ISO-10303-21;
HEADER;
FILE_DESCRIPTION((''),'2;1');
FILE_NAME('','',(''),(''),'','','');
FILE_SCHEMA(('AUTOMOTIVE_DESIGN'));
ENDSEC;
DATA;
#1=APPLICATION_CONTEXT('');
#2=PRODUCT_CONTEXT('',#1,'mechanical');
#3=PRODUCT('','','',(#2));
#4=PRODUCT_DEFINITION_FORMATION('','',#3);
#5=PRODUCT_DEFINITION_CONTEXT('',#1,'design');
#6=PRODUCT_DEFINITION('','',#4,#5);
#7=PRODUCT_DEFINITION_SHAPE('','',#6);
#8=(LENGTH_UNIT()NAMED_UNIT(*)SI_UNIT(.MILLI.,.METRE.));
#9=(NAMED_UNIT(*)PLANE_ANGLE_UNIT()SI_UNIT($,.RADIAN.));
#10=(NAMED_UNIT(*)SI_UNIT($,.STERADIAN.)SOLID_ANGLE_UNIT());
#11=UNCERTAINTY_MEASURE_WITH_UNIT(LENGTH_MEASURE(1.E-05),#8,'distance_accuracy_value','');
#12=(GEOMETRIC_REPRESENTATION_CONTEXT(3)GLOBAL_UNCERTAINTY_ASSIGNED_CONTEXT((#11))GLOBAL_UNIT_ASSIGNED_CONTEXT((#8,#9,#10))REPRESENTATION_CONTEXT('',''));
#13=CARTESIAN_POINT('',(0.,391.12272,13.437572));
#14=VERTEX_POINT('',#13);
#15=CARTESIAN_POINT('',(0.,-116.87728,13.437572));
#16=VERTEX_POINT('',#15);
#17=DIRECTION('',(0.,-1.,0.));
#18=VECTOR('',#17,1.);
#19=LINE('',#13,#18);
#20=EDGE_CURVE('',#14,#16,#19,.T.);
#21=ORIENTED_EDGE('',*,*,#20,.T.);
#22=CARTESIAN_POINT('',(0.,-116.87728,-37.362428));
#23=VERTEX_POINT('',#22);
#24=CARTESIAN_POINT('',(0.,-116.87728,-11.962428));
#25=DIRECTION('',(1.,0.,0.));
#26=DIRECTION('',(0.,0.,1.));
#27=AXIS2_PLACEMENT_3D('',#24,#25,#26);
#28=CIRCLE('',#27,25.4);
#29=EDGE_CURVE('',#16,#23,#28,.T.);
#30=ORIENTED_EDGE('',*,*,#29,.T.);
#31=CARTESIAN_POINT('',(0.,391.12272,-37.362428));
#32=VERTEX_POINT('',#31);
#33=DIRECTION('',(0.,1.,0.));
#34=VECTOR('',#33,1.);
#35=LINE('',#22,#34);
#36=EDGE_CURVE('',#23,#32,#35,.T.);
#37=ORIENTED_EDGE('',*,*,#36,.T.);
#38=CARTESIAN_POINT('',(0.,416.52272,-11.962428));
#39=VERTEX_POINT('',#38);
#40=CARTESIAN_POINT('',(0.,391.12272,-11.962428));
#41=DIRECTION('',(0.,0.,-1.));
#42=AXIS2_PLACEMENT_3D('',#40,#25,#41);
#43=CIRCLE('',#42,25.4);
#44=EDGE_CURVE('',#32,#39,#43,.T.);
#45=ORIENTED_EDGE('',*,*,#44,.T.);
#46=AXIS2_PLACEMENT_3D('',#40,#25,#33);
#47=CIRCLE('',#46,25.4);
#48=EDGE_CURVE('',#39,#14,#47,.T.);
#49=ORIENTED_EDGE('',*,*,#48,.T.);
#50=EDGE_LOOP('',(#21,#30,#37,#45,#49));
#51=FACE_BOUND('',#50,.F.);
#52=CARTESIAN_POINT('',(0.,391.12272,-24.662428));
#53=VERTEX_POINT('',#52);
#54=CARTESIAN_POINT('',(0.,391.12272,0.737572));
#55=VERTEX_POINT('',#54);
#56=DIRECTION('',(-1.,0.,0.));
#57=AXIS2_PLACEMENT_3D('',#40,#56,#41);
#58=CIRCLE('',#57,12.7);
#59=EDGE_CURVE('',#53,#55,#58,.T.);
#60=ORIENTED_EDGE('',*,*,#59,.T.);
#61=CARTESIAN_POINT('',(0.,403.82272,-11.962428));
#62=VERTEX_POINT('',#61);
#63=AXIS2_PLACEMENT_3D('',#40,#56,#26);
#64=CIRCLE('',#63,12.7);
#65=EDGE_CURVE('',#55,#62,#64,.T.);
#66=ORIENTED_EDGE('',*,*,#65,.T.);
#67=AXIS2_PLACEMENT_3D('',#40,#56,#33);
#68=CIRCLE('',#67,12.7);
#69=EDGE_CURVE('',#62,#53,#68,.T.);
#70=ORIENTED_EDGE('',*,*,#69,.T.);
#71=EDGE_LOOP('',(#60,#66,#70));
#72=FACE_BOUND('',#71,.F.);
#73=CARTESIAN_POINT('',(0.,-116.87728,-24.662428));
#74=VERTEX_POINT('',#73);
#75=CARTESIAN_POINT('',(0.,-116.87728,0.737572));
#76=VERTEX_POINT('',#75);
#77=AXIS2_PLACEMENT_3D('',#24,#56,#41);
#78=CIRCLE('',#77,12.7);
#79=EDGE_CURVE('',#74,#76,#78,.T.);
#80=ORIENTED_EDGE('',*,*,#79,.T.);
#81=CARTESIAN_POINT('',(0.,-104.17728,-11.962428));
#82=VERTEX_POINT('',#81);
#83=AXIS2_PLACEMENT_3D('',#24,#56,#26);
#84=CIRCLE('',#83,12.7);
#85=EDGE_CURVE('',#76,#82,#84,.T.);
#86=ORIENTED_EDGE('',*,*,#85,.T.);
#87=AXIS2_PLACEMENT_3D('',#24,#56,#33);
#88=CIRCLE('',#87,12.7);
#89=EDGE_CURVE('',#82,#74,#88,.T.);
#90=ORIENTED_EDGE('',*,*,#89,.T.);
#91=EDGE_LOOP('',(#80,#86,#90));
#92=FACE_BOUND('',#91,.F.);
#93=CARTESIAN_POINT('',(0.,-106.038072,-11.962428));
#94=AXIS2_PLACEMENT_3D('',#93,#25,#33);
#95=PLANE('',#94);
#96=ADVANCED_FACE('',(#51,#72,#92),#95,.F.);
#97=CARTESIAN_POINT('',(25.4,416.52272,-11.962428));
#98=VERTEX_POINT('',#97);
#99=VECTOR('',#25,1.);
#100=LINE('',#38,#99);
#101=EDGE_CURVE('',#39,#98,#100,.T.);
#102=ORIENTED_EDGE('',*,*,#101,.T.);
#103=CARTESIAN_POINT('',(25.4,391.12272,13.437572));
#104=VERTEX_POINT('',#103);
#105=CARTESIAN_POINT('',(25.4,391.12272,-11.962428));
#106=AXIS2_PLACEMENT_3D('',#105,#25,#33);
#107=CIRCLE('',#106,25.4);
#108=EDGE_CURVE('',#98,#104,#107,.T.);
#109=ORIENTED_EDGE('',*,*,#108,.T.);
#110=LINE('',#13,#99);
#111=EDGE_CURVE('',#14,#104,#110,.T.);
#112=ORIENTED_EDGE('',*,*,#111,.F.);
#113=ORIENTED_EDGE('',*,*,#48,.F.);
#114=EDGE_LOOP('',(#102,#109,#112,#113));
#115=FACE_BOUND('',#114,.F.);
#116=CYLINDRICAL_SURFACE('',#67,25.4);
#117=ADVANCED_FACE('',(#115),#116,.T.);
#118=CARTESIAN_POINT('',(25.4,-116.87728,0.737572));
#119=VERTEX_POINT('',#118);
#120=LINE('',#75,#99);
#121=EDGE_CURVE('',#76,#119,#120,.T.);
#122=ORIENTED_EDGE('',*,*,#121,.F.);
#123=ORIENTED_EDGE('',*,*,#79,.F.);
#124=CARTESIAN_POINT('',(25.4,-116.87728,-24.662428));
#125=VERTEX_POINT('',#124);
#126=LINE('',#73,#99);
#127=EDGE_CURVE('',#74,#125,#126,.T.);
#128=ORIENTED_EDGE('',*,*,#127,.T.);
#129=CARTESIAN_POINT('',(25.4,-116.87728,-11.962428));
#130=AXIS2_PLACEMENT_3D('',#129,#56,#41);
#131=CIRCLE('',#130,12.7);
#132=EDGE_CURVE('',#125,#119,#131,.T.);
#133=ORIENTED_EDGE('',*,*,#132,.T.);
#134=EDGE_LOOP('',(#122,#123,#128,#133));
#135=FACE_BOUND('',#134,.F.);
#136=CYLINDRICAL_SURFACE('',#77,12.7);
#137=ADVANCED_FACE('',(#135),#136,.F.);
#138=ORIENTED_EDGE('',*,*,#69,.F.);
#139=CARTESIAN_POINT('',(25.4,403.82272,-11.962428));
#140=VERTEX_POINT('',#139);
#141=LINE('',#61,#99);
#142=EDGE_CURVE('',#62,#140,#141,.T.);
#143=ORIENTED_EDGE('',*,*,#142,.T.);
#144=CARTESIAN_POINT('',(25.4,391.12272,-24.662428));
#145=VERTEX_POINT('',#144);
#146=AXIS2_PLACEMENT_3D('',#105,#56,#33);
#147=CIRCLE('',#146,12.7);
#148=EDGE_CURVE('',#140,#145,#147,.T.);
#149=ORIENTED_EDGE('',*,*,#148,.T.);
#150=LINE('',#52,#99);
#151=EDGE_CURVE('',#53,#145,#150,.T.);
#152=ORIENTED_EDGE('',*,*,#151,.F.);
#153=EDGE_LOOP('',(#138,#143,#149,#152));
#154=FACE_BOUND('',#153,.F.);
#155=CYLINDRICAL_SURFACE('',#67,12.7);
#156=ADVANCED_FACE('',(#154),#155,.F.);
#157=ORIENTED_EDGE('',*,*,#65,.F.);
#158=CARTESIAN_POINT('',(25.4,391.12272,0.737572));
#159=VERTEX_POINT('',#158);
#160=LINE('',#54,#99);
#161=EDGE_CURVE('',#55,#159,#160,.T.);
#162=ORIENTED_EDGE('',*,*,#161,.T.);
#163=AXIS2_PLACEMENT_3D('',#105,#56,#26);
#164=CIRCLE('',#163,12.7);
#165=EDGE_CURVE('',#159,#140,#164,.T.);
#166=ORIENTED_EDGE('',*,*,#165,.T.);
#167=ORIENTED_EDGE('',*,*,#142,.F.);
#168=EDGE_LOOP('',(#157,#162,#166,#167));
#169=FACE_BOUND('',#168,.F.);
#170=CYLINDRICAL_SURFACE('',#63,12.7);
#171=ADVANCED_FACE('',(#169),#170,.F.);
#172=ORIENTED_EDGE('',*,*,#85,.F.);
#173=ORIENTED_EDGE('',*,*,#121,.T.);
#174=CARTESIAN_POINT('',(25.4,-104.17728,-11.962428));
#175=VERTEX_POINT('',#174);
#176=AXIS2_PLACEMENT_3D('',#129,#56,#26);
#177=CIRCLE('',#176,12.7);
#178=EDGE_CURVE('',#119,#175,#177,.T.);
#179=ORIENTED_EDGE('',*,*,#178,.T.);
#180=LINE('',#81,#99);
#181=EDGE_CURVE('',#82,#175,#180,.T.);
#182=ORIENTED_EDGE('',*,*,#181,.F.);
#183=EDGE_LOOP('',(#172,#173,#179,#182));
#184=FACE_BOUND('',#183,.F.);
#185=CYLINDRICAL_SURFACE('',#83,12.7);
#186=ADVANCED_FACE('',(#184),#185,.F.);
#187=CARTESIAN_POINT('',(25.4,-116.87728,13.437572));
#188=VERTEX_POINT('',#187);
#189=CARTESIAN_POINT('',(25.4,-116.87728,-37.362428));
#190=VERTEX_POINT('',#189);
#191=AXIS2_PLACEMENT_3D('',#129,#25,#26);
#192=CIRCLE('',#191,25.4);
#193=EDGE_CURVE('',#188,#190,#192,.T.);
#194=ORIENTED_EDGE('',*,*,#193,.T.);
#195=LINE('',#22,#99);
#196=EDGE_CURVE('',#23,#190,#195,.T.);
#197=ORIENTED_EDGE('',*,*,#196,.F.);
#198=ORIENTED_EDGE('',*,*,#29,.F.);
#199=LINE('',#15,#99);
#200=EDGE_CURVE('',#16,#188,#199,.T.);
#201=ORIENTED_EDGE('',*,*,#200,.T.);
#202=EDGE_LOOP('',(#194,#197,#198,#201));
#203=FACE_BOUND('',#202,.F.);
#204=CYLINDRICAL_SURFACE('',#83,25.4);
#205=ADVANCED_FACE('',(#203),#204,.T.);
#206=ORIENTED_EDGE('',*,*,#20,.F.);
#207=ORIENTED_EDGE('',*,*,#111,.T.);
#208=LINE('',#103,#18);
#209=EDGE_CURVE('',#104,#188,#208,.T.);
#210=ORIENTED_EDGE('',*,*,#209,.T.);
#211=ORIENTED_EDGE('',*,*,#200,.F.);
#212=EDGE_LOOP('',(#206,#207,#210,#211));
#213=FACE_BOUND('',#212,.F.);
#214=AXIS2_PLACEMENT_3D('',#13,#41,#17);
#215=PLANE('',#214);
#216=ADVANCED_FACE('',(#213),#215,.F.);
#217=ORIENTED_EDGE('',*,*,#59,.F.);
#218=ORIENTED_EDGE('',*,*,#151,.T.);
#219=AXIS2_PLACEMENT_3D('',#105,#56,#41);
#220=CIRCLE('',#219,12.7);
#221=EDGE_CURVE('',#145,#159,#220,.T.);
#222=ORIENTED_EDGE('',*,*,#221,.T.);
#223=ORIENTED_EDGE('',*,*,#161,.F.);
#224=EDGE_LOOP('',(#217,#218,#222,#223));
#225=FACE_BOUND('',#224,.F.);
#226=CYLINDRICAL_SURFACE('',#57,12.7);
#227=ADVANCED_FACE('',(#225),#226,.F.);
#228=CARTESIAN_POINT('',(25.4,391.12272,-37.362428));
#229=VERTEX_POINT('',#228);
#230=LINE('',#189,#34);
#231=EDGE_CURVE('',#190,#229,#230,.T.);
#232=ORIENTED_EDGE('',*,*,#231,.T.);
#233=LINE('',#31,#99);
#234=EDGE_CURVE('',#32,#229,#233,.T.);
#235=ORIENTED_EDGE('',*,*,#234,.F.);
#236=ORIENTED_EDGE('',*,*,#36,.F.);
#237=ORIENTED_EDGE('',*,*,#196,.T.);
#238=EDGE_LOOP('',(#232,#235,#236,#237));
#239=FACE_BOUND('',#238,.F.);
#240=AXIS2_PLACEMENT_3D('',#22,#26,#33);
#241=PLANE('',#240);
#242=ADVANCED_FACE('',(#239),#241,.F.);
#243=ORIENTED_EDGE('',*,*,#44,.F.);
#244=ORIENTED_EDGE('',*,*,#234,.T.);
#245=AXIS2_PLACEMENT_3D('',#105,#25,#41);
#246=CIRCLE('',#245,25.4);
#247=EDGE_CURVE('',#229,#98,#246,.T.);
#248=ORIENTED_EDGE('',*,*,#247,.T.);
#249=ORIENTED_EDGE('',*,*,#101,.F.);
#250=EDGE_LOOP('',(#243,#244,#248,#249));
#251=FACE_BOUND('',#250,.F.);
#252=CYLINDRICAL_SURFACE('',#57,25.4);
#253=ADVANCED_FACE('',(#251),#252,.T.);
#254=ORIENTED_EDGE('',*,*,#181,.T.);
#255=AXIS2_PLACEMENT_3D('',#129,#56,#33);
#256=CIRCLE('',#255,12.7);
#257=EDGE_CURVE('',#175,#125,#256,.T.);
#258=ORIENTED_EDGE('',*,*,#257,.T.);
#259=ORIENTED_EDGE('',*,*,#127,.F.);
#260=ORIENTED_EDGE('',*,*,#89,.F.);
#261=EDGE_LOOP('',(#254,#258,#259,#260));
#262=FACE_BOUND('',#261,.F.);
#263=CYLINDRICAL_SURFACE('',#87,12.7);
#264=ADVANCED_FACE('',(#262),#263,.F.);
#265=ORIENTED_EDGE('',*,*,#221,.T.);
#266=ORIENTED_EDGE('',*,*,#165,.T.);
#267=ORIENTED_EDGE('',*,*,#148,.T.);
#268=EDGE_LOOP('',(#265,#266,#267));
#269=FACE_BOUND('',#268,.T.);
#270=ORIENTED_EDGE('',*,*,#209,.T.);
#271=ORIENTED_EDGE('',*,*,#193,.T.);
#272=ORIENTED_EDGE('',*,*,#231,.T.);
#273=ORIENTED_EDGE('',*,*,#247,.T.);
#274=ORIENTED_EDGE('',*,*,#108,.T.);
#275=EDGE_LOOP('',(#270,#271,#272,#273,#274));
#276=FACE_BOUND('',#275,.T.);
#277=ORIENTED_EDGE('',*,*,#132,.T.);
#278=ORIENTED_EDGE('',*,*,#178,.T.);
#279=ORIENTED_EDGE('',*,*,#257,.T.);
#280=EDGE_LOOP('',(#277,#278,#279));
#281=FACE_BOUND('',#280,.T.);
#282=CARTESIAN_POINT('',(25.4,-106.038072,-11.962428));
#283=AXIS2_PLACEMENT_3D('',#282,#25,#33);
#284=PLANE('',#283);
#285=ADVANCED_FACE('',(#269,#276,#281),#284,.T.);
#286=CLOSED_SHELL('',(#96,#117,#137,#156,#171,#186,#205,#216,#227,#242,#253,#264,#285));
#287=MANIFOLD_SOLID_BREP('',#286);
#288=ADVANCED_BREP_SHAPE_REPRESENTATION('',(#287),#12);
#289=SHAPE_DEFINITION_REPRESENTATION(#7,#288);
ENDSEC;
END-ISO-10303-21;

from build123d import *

# Parameters (mm, degrees)
F1_DEPTH = 25.4


with BuildPart() as f1:
    # F0 (on Right) → F1 (new body)
    with BuildSketch(Plane.YZ):
        with BuildLine():
            ThreePointArc((-91.4772798479, -11.9624281348), (-98.9167676057, 5.9980841073), (-116.8772798479, 13.4375718652))
            Line((-116.8772798479, 13.4375718652), (-116.8772798479, 0.7375718652))
            ThreePointArc((-116.8772798479, 0.7375718652), (-107.8970237268, -2.9821720138), (-104.1772798479, -11.9624281348))
            ThreePointArc((-104.1772798479, -11.9624281348), (-107.8970237268, -20.9426842559), (-116.8772798479, -24.6624281348))
            Line((-116.8772798479, -24.6624281348), (-116.8772798479, -37.3624281348))
            ThreePointArc((-116.8772798479, -37.3624281348), (-98.9167676057, -29.922940377), (-91.4772798479, -11.9624281348))
        make_face()
        with BuildLine():
            Line((391.1227201521, 13.4375718652), (-116.8772798479, 13.4375718652))
            ThreePointArc((-116.8772798479, 13.4375718652), (-98.9167676057, 5.9980841073), (-91.4772798479, -11.9624281348))
            ThreePointArc((-91.4772798479, -11.9624281348), (-98.9167676057, -29.922940377), (-116.8772798479, -37.3624281348))
            Line((-116.8772798479, -37.3624281348), (391.1227201521, -37.3624281348))
            ThreePointArc((391.1227201521, -37.3624281348), (365.7227201521, -11.9624281348), (391.1227201521, 13.4375718652))
        make_face()
        with BuildLine():
            Line((-116.8772798479, 0.7375718652), (-116.8772798479, 13.4375718652))
            ThreePointArc((-116.8772798479, 13.4375718652), (-142.2772798479, -11.9624281348), (-116.8772798479, -37.3624281348))
            Line((-116.8772798479, -37.3624281348), (-116.8772798479, -24.6624281348))
            ThreePointArc((-116.8772798479, -24.6624281348), (-129.5772798479, -11.9624281348), (-116.8772798479, 0.7375718652))
        make_face()
        with BuildLine():
            ThreePointArc((416.5227201521, -11.9624281348), (409.0832323943, 5.9980841073), (391.1227201521, 13.4375718652))
            Line((391.1227201521, 13.4375718652), (391.1227201521, 0.7375718652))
            ThreePointArc((391.1227201521, 0.7375718652), (400.1029762732, -2.9821720138), (403.8227201521, -11.9624281348))
            ThreePointArc((403.8227201521, -11.9624281348), (400.1029762732, -20.9426842559), (391.1227201521, -24.6624281348))
            Line((391.1227201521, -24.6624281348), (391.1227201521, -37.3624281348))
            ThreePointArc((391.1227201521, -37.3624281348), (409.0832323943, -29.922940377), (416.5227201521, -11.9624281348))
        make_face()
        with BuildLine():
            Line((391.1227201521, 0.7375718652), (391.1227201521, 13.4375718652))
            ThreePointArc((391.1227201521, 13.4375718652), (365.7227201521, -11.9624281348), (391.1227201521, -37.3624281348))
            Line((391.1227201521, -37.3624281348), (391.1227201521, -24.6624281348))
            ThreePointArc((391.1227201521, -24.6624281348), (378.4227201521, -11.9624281348), (391.1227201521, 0.7375718652))
        make_face()
    extrude(amount=F1_DEPTH)


solid = f1.part
